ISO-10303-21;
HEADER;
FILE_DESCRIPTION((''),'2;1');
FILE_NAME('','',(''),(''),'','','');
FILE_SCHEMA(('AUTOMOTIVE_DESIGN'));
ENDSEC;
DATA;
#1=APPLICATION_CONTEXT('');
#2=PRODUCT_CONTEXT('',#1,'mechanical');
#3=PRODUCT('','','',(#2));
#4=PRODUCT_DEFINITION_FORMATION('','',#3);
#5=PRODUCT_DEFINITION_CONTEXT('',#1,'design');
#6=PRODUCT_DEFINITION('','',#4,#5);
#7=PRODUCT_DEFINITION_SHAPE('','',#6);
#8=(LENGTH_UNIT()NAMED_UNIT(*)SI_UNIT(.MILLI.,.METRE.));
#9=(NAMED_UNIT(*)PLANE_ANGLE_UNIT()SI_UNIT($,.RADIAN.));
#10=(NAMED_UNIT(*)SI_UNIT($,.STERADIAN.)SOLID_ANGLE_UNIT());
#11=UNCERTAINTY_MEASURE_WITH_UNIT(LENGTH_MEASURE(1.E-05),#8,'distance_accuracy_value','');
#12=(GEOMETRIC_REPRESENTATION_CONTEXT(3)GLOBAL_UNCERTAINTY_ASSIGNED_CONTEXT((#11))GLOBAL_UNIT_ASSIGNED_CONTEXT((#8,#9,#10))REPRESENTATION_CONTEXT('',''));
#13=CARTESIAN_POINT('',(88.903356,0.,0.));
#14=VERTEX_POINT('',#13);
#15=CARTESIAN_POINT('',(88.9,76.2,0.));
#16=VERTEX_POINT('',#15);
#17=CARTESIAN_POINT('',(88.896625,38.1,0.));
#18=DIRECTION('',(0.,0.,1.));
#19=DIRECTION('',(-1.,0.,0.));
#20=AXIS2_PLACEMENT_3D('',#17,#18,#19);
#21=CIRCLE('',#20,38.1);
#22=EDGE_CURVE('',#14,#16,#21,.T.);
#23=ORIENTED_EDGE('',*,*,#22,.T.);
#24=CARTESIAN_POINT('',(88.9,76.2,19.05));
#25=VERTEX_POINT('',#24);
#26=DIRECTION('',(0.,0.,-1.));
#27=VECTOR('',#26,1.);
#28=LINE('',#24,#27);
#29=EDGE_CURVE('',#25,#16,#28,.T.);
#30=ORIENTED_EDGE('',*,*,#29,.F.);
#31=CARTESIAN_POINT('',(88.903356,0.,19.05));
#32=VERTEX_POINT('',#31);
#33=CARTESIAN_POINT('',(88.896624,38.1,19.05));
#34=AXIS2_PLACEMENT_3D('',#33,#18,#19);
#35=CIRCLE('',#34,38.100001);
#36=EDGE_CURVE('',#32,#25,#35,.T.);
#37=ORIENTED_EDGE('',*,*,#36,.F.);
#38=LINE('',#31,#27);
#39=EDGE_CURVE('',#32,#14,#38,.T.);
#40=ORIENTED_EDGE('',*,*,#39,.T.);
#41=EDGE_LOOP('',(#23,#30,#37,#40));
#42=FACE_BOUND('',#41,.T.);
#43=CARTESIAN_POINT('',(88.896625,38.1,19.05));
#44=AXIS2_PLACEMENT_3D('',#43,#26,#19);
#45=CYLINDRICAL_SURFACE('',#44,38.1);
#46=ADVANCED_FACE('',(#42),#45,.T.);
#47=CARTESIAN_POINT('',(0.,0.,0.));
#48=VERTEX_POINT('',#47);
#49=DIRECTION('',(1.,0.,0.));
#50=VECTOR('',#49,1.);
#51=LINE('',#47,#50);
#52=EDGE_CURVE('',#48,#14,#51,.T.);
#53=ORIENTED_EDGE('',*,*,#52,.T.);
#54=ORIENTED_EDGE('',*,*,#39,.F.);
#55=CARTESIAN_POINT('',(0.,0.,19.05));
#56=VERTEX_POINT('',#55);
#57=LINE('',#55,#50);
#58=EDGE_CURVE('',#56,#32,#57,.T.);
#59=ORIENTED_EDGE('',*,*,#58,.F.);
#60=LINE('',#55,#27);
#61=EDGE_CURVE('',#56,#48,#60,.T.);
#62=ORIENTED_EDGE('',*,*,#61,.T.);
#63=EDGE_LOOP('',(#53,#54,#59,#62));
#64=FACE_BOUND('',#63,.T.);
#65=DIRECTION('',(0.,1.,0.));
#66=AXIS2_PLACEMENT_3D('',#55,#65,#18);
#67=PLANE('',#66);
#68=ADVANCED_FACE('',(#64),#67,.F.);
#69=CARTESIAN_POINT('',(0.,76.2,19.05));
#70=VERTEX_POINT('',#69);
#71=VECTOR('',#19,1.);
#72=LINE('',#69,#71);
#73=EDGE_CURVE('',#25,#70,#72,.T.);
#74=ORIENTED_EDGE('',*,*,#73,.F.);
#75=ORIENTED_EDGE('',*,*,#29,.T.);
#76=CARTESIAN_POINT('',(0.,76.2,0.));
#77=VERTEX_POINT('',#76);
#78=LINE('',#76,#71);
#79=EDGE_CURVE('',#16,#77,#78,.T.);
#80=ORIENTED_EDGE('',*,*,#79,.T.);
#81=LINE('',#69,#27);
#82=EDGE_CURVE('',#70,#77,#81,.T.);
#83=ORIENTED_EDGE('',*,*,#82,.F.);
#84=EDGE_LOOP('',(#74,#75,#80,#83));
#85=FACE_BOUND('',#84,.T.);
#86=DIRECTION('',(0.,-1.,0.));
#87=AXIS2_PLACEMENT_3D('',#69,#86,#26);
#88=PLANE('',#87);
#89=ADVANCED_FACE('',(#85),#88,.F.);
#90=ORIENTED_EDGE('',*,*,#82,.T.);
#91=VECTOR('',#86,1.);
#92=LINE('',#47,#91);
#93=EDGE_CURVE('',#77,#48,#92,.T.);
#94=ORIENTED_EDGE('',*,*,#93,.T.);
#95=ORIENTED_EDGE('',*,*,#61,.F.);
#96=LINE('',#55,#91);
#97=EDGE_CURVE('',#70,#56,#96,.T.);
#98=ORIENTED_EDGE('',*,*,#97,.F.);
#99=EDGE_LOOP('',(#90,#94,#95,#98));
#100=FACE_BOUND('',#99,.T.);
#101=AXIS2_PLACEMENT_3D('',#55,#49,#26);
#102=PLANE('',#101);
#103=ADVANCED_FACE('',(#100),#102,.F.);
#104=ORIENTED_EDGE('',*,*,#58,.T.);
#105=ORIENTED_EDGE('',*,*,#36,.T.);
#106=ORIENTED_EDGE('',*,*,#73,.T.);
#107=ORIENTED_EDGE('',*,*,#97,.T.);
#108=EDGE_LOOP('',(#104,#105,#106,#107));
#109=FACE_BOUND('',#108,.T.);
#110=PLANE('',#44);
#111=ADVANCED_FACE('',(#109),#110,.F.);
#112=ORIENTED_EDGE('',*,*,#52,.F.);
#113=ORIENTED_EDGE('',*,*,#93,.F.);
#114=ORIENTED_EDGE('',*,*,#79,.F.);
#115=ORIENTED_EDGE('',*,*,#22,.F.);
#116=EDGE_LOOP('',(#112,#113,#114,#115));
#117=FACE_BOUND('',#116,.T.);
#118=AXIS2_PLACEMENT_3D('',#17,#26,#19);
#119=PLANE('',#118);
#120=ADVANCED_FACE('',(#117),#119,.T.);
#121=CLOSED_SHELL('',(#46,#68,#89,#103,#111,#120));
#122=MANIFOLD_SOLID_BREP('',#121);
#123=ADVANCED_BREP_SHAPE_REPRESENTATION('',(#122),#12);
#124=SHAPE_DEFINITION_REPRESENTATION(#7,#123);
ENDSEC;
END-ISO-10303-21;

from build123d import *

# Parameters (mm, degrees)
BOSS_EXTRUDE1_DEPTH = 19.05


with BuildPart() as part:
    # Sketch1 → Boss-Extrude1 (new body)
    with BuildSketch(Plane.XY):
        with BuildLine():
            Line((0, 0), (88.903356144, 0))
            ThreePointArc((88.903356144, 0), (115.837719997, 11.159557314), (126.996625166, 38.094191625))
            ThreePointArc((126.996625166, 38.094191625), (115.840640047, 65.037521475), (88.9, 76.199999999))
            Line((88.9, 76.199999999), (0, 76.199999999))
            Line((0, 76.199999999), (0, 0))
        make_face()
    extrude(amount=BOSS_EXTRUDE1_DEPTH)


solid = part.part
